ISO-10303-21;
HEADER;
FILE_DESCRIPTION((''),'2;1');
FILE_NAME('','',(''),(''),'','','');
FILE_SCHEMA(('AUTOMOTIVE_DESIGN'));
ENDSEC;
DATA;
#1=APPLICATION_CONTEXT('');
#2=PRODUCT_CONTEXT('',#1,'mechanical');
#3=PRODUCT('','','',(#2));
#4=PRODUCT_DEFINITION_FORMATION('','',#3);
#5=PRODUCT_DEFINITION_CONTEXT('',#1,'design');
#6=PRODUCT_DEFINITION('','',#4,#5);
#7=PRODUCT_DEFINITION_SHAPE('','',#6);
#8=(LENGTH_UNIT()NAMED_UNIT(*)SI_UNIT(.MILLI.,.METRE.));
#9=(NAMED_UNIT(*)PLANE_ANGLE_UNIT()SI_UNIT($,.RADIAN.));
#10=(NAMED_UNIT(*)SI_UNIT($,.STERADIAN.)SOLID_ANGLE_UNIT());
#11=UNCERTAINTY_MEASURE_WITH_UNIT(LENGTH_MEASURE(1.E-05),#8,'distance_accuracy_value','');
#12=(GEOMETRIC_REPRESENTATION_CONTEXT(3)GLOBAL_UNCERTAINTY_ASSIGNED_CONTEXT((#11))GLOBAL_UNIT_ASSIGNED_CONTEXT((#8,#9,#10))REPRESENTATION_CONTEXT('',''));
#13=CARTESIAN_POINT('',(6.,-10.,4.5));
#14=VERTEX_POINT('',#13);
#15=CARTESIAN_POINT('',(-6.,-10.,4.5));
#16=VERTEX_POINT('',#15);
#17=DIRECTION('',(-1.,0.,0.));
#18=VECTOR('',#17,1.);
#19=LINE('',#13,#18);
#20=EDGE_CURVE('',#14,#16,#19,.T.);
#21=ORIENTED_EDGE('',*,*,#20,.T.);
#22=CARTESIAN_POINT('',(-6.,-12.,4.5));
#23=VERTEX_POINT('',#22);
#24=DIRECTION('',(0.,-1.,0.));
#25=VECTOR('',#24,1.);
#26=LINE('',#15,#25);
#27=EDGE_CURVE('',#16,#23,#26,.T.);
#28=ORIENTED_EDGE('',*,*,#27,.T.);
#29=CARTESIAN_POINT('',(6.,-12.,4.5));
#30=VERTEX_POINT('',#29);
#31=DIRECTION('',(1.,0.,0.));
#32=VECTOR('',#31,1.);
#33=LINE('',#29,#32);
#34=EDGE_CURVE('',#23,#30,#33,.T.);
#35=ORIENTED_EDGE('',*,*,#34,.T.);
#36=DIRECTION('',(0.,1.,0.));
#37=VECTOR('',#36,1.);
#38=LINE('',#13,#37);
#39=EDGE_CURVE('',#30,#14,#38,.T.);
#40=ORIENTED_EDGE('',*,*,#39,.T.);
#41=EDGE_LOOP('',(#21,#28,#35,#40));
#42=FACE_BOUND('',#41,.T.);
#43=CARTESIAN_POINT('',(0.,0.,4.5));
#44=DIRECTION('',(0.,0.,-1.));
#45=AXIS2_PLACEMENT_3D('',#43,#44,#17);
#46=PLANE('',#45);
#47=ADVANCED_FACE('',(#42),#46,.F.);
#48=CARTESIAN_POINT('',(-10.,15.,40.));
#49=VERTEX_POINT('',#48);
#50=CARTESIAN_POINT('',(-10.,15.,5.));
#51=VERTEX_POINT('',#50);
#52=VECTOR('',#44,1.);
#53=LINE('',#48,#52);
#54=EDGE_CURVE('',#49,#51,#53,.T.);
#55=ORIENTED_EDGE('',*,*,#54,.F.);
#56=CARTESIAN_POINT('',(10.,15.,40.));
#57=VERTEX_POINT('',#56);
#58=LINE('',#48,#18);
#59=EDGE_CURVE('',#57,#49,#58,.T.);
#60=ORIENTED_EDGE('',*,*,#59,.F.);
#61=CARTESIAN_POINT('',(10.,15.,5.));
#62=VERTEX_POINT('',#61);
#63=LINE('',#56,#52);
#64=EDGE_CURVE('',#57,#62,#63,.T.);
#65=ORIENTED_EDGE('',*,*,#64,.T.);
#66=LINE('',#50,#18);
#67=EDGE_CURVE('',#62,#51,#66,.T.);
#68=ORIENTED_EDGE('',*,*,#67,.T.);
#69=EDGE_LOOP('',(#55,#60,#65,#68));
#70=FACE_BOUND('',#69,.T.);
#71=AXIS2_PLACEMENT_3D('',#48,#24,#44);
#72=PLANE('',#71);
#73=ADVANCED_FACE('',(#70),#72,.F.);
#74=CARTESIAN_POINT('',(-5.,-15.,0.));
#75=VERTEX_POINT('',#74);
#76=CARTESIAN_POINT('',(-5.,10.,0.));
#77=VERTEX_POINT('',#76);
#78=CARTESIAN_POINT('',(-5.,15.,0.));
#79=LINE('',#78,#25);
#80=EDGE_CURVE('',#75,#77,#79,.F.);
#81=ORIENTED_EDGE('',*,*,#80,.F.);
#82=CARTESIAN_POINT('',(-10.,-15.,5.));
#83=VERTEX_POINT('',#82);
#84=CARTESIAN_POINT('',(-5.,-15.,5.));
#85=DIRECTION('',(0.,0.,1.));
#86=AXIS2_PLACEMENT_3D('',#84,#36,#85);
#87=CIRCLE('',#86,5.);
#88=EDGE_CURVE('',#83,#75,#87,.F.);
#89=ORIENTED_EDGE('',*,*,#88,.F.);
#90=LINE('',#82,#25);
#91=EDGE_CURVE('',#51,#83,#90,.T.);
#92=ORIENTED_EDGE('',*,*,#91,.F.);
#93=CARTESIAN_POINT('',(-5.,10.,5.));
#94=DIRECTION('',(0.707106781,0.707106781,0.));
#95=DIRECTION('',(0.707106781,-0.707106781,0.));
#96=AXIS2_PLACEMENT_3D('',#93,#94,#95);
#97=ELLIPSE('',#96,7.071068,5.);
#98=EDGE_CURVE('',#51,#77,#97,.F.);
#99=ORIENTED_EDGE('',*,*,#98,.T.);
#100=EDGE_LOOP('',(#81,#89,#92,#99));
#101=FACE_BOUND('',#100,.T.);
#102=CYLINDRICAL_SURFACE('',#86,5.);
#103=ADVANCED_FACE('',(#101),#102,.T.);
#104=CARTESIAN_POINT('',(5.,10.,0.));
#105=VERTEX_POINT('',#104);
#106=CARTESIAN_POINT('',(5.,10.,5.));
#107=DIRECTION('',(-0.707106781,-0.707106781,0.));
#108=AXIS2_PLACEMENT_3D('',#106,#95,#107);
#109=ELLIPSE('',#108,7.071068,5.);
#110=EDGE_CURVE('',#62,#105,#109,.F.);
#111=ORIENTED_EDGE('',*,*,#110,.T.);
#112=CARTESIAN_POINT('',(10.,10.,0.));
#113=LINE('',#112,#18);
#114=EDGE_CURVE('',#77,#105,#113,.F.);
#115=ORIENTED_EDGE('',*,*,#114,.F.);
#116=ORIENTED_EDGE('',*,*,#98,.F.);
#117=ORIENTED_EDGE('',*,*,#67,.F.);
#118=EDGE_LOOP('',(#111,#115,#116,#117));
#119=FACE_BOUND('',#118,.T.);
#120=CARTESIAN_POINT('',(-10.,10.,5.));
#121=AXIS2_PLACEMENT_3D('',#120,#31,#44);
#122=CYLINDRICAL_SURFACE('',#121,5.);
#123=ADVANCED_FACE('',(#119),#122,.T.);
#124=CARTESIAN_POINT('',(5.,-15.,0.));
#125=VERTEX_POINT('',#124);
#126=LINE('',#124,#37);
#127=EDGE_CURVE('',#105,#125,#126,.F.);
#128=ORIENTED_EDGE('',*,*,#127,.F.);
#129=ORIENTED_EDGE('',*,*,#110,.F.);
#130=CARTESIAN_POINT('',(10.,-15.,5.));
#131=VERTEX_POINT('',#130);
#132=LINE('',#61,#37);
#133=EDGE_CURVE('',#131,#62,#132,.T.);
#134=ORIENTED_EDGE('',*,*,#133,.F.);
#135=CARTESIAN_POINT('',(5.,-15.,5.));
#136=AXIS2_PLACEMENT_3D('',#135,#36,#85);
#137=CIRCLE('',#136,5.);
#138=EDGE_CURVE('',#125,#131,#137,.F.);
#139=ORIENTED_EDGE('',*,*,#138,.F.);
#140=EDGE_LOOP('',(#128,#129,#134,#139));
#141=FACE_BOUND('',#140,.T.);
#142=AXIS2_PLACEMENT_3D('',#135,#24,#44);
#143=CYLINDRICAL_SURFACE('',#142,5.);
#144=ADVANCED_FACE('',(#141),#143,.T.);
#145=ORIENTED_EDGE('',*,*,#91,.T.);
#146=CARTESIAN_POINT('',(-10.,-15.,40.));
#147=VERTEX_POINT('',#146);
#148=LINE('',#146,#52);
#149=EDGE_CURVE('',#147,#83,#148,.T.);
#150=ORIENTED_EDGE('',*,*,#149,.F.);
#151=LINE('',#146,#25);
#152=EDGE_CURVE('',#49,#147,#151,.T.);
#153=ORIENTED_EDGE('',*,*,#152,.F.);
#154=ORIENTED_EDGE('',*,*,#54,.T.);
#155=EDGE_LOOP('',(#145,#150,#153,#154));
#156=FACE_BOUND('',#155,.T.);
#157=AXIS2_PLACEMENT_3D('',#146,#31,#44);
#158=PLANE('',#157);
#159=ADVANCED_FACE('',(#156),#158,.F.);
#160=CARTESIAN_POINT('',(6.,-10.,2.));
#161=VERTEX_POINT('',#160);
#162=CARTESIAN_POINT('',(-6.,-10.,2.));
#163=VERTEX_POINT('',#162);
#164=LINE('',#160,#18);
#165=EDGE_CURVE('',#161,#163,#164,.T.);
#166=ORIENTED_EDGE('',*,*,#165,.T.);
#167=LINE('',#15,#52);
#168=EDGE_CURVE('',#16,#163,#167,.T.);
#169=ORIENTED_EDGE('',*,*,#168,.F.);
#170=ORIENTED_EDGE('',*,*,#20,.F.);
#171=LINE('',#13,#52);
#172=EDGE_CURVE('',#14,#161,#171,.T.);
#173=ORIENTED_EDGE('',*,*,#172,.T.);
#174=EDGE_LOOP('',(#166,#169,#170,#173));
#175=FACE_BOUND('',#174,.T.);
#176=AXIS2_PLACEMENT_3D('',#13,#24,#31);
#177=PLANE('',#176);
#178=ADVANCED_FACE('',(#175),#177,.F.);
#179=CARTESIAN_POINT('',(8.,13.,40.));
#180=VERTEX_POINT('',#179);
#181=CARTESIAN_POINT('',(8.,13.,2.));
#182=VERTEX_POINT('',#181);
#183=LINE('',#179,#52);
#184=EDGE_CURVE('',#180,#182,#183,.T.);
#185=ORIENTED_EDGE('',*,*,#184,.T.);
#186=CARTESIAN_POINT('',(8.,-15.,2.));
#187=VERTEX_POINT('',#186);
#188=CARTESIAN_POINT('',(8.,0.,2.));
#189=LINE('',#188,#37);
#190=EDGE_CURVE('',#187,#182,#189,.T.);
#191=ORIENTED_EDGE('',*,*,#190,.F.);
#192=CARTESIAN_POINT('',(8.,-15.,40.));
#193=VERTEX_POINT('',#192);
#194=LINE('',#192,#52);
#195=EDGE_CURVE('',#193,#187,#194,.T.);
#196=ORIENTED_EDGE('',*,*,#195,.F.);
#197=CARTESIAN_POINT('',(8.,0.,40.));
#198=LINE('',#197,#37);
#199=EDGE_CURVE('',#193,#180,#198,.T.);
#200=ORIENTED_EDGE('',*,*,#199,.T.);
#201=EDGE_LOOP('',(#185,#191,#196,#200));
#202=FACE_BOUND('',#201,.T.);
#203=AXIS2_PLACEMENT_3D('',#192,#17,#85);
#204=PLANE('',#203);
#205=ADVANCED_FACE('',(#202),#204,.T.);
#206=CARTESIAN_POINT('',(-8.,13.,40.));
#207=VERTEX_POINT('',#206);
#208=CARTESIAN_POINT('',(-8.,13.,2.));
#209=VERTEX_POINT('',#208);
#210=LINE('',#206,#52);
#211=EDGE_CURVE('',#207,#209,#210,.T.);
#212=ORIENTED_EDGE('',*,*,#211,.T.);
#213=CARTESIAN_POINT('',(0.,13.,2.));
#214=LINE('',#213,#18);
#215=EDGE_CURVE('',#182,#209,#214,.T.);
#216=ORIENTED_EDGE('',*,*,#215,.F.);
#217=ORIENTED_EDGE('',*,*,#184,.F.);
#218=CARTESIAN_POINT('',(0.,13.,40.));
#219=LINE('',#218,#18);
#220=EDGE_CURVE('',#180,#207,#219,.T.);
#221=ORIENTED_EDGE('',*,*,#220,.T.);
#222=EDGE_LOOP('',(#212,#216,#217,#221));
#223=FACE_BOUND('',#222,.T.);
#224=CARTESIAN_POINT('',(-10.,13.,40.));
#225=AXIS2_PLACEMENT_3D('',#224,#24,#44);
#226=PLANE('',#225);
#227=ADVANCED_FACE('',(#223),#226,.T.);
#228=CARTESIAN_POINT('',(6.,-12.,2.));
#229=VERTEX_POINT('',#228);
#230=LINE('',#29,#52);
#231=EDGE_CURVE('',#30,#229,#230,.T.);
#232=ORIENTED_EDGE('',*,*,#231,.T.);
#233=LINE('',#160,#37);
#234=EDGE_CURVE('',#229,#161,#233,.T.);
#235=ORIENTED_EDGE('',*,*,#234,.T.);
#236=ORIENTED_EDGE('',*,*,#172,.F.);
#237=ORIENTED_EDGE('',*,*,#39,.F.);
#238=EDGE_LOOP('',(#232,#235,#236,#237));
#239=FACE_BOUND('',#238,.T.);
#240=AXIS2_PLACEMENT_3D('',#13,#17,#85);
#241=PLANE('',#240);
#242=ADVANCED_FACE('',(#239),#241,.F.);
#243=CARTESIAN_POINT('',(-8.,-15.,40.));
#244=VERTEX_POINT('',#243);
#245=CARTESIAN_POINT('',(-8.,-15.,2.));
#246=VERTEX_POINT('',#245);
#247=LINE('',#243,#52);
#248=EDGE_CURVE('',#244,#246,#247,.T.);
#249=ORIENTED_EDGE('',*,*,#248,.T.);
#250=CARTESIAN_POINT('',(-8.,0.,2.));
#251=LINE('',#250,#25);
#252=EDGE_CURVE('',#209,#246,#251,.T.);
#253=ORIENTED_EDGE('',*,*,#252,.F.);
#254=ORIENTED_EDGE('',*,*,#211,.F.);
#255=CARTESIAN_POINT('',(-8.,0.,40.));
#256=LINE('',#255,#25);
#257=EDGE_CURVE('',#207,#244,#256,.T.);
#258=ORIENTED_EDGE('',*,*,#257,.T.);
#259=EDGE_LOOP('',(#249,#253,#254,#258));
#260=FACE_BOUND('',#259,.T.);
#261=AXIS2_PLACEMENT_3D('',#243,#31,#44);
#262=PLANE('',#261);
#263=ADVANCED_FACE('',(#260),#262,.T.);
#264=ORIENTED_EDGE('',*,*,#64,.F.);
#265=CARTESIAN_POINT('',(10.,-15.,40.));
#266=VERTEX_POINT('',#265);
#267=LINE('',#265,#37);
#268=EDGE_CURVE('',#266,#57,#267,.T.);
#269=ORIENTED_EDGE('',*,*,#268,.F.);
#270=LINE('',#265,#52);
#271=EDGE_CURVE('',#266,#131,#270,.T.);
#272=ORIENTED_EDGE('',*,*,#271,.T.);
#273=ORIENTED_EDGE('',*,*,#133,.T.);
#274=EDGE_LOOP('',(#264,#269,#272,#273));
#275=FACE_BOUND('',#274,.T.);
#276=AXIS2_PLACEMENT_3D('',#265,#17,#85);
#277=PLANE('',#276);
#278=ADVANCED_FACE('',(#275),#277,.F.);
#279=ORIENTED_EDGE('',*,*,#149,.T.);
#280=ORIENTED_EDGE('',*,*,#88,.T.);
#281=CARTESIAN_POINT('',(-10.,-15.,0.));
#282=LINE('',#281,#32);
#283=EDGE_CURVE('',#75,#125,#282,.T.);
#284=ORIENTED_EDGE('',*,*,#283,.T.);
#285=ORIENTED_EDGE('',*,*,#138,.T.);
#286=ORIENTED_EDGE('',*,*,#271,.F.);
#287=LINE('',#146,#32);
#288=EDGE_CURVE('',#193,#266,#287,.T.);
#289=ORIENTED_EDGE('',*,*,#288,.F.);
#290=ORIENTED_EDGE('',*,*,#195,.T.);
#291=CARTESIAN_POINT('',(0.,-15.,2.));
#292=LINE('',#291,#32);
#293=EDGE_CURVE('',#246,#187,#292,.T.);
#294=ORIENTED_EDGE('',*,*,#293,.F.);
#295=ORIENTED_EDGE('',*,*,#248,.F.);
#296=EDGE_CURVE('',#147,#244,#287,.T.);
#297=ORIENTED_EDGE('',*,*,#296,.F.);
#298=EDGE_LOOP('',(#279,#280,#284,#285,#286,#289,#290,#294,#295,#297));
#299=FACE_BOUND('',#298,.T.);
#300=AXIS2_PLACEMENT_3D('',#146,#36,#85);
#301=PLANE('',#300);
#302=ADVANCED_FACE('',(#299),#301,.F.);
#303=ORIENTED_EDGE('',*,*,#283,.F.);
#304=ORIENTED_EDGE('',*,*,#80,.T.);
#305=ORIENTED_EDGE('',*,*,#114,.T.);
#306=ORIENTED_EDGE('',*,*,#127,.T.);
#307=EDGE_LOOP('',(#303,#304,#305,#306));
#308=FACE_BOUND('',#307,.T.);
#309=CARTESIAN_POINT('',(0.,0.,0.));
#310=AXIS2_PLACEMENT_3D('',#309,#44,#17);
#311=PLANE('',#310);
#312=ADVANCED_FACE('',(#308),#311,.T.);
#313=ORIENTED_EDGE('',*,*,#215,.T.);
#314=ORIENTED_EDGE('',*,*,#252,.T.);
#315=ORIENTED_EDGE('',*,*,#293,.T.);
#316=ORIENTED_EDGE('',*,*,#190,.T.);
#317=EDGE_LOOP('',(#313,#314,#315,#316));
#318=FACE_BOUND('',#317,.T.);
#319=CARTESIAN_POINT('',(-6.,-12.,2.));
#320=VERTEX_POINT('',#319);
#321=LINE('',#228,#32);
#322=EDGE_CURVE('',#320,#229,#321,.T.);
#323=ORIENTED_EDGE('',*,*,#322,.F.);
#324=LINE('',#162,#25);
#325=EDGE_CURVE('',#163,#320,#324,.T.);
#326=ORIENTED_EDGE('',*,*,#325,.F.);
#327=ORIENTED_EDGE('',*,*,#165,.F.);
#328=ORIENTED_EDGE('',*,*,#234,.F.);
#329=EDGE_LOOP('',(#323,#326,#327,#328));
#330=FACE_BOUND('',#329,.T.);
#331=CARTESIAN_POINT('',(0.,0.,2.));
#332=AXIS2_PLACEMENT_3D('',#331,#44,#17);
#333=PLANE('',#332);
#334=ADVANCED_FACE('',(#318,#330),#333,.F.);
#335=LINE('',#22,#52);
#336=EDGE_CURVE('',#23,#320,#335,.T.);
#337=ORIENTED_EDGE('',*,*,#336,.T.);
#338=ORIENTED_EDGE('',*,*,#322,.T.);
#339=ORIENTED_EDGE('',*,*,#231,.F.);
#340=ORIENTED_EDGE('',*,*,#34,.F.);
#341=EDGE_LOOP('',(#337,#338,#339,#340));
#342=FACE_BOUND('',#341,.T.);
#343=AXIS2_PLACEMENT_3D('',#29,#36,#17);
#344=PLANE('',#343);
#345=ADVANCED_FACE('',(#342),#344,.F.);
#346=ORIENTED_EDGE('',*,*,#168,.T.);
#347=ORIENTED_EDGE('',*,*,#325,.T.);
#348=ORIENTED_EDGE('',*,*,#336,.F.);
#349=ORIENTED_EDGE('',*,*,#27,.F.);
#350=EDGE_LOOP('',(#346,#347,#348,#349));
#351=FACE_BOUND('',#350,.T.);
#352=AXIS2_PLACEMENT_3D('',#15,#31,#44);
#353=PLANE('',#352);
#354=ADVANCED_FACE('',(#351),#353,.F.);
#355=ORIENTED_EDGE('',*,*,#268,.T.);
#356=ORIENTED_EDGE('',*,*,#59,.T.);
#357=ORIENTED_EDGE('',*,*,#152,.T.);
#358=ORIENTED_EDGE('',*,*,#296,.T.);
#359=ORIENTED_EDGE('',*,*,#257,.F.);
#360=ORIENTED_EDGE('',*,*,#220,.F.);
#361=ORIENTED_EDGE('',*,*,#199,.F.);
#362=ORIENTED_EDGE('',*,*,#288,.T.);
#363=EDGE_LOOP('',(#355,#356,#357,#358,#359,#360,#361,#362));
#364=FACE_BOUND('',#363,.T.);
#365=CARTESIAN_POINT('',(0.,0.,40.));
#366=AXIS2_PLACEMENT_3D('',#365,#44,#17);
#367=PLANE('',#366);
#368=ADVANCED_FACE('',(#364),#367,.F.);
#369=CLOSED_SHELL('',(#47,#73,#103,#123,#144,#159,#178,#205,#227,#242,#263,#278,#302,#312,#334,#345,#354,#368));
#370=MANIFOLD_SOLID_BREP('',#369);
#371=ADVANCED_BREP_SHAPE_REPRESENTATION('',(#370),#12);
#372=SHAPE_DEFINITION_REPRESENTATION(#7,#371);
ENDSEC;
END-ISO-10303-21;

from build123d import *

# Parameters (mm, degrees)
SZKIC1_W                    = 20
SZKIC1_H                    = 30
DODANIE_WYCI_GNI_CIE1_DEPTH = 40
SKORUPA3_T                  = -2
ZAOKR_GLENIE1_R             = 5
SZKIC2_W                    = 12
SZKIC2_H                    = 2
DODANIE_WYCI_GNI_CIE2_DEPTH = 2.5


with BuildPart() as part:
    # Szkic1 → Dodanie-wyciągnięcie1 (new body)
    with BuildSketch(Plane.XY):
        Rectangle(SZKIC1_W, SZKIC1_H)
    extrude(amount=DODANIE_WYCI_GNI_CIE1_DEPTH)

    # Skorupa3
    skorupa3_openings = [part.faces().sort_by_distance(p)[0] for p in [
        (0, 0, 40),
        (0, -15, 20),
    ]]
    offset(amount=SKORUPA3_T, openings=skorupa3_openings, kind=Kind.INTERSECTION)

    # Zaokrąglenie1
    zaokr_glenie1_edges = [part.edges().sort_by_distance(p)[0] for p in [
        (-10, 0, 0),
        (0, 15, 0),
        (10, 0, 0),
    ]]
    fillet(zaokr_glenie1_edges, radius=ZAOKR_GLENIE1_R)

    # Szkic2 → Dodanie-wyciągnięcie2 (add)
    with BuildSketch(Plane.XY.offset(2)):
        with Locations((0, -11)):
            Rectangle(SZKIC2_W, SZKIC2_H)
    extrude(amount=DODANIE_WYCI_GNI_CIE2_DEPTH)


solid = part.part
